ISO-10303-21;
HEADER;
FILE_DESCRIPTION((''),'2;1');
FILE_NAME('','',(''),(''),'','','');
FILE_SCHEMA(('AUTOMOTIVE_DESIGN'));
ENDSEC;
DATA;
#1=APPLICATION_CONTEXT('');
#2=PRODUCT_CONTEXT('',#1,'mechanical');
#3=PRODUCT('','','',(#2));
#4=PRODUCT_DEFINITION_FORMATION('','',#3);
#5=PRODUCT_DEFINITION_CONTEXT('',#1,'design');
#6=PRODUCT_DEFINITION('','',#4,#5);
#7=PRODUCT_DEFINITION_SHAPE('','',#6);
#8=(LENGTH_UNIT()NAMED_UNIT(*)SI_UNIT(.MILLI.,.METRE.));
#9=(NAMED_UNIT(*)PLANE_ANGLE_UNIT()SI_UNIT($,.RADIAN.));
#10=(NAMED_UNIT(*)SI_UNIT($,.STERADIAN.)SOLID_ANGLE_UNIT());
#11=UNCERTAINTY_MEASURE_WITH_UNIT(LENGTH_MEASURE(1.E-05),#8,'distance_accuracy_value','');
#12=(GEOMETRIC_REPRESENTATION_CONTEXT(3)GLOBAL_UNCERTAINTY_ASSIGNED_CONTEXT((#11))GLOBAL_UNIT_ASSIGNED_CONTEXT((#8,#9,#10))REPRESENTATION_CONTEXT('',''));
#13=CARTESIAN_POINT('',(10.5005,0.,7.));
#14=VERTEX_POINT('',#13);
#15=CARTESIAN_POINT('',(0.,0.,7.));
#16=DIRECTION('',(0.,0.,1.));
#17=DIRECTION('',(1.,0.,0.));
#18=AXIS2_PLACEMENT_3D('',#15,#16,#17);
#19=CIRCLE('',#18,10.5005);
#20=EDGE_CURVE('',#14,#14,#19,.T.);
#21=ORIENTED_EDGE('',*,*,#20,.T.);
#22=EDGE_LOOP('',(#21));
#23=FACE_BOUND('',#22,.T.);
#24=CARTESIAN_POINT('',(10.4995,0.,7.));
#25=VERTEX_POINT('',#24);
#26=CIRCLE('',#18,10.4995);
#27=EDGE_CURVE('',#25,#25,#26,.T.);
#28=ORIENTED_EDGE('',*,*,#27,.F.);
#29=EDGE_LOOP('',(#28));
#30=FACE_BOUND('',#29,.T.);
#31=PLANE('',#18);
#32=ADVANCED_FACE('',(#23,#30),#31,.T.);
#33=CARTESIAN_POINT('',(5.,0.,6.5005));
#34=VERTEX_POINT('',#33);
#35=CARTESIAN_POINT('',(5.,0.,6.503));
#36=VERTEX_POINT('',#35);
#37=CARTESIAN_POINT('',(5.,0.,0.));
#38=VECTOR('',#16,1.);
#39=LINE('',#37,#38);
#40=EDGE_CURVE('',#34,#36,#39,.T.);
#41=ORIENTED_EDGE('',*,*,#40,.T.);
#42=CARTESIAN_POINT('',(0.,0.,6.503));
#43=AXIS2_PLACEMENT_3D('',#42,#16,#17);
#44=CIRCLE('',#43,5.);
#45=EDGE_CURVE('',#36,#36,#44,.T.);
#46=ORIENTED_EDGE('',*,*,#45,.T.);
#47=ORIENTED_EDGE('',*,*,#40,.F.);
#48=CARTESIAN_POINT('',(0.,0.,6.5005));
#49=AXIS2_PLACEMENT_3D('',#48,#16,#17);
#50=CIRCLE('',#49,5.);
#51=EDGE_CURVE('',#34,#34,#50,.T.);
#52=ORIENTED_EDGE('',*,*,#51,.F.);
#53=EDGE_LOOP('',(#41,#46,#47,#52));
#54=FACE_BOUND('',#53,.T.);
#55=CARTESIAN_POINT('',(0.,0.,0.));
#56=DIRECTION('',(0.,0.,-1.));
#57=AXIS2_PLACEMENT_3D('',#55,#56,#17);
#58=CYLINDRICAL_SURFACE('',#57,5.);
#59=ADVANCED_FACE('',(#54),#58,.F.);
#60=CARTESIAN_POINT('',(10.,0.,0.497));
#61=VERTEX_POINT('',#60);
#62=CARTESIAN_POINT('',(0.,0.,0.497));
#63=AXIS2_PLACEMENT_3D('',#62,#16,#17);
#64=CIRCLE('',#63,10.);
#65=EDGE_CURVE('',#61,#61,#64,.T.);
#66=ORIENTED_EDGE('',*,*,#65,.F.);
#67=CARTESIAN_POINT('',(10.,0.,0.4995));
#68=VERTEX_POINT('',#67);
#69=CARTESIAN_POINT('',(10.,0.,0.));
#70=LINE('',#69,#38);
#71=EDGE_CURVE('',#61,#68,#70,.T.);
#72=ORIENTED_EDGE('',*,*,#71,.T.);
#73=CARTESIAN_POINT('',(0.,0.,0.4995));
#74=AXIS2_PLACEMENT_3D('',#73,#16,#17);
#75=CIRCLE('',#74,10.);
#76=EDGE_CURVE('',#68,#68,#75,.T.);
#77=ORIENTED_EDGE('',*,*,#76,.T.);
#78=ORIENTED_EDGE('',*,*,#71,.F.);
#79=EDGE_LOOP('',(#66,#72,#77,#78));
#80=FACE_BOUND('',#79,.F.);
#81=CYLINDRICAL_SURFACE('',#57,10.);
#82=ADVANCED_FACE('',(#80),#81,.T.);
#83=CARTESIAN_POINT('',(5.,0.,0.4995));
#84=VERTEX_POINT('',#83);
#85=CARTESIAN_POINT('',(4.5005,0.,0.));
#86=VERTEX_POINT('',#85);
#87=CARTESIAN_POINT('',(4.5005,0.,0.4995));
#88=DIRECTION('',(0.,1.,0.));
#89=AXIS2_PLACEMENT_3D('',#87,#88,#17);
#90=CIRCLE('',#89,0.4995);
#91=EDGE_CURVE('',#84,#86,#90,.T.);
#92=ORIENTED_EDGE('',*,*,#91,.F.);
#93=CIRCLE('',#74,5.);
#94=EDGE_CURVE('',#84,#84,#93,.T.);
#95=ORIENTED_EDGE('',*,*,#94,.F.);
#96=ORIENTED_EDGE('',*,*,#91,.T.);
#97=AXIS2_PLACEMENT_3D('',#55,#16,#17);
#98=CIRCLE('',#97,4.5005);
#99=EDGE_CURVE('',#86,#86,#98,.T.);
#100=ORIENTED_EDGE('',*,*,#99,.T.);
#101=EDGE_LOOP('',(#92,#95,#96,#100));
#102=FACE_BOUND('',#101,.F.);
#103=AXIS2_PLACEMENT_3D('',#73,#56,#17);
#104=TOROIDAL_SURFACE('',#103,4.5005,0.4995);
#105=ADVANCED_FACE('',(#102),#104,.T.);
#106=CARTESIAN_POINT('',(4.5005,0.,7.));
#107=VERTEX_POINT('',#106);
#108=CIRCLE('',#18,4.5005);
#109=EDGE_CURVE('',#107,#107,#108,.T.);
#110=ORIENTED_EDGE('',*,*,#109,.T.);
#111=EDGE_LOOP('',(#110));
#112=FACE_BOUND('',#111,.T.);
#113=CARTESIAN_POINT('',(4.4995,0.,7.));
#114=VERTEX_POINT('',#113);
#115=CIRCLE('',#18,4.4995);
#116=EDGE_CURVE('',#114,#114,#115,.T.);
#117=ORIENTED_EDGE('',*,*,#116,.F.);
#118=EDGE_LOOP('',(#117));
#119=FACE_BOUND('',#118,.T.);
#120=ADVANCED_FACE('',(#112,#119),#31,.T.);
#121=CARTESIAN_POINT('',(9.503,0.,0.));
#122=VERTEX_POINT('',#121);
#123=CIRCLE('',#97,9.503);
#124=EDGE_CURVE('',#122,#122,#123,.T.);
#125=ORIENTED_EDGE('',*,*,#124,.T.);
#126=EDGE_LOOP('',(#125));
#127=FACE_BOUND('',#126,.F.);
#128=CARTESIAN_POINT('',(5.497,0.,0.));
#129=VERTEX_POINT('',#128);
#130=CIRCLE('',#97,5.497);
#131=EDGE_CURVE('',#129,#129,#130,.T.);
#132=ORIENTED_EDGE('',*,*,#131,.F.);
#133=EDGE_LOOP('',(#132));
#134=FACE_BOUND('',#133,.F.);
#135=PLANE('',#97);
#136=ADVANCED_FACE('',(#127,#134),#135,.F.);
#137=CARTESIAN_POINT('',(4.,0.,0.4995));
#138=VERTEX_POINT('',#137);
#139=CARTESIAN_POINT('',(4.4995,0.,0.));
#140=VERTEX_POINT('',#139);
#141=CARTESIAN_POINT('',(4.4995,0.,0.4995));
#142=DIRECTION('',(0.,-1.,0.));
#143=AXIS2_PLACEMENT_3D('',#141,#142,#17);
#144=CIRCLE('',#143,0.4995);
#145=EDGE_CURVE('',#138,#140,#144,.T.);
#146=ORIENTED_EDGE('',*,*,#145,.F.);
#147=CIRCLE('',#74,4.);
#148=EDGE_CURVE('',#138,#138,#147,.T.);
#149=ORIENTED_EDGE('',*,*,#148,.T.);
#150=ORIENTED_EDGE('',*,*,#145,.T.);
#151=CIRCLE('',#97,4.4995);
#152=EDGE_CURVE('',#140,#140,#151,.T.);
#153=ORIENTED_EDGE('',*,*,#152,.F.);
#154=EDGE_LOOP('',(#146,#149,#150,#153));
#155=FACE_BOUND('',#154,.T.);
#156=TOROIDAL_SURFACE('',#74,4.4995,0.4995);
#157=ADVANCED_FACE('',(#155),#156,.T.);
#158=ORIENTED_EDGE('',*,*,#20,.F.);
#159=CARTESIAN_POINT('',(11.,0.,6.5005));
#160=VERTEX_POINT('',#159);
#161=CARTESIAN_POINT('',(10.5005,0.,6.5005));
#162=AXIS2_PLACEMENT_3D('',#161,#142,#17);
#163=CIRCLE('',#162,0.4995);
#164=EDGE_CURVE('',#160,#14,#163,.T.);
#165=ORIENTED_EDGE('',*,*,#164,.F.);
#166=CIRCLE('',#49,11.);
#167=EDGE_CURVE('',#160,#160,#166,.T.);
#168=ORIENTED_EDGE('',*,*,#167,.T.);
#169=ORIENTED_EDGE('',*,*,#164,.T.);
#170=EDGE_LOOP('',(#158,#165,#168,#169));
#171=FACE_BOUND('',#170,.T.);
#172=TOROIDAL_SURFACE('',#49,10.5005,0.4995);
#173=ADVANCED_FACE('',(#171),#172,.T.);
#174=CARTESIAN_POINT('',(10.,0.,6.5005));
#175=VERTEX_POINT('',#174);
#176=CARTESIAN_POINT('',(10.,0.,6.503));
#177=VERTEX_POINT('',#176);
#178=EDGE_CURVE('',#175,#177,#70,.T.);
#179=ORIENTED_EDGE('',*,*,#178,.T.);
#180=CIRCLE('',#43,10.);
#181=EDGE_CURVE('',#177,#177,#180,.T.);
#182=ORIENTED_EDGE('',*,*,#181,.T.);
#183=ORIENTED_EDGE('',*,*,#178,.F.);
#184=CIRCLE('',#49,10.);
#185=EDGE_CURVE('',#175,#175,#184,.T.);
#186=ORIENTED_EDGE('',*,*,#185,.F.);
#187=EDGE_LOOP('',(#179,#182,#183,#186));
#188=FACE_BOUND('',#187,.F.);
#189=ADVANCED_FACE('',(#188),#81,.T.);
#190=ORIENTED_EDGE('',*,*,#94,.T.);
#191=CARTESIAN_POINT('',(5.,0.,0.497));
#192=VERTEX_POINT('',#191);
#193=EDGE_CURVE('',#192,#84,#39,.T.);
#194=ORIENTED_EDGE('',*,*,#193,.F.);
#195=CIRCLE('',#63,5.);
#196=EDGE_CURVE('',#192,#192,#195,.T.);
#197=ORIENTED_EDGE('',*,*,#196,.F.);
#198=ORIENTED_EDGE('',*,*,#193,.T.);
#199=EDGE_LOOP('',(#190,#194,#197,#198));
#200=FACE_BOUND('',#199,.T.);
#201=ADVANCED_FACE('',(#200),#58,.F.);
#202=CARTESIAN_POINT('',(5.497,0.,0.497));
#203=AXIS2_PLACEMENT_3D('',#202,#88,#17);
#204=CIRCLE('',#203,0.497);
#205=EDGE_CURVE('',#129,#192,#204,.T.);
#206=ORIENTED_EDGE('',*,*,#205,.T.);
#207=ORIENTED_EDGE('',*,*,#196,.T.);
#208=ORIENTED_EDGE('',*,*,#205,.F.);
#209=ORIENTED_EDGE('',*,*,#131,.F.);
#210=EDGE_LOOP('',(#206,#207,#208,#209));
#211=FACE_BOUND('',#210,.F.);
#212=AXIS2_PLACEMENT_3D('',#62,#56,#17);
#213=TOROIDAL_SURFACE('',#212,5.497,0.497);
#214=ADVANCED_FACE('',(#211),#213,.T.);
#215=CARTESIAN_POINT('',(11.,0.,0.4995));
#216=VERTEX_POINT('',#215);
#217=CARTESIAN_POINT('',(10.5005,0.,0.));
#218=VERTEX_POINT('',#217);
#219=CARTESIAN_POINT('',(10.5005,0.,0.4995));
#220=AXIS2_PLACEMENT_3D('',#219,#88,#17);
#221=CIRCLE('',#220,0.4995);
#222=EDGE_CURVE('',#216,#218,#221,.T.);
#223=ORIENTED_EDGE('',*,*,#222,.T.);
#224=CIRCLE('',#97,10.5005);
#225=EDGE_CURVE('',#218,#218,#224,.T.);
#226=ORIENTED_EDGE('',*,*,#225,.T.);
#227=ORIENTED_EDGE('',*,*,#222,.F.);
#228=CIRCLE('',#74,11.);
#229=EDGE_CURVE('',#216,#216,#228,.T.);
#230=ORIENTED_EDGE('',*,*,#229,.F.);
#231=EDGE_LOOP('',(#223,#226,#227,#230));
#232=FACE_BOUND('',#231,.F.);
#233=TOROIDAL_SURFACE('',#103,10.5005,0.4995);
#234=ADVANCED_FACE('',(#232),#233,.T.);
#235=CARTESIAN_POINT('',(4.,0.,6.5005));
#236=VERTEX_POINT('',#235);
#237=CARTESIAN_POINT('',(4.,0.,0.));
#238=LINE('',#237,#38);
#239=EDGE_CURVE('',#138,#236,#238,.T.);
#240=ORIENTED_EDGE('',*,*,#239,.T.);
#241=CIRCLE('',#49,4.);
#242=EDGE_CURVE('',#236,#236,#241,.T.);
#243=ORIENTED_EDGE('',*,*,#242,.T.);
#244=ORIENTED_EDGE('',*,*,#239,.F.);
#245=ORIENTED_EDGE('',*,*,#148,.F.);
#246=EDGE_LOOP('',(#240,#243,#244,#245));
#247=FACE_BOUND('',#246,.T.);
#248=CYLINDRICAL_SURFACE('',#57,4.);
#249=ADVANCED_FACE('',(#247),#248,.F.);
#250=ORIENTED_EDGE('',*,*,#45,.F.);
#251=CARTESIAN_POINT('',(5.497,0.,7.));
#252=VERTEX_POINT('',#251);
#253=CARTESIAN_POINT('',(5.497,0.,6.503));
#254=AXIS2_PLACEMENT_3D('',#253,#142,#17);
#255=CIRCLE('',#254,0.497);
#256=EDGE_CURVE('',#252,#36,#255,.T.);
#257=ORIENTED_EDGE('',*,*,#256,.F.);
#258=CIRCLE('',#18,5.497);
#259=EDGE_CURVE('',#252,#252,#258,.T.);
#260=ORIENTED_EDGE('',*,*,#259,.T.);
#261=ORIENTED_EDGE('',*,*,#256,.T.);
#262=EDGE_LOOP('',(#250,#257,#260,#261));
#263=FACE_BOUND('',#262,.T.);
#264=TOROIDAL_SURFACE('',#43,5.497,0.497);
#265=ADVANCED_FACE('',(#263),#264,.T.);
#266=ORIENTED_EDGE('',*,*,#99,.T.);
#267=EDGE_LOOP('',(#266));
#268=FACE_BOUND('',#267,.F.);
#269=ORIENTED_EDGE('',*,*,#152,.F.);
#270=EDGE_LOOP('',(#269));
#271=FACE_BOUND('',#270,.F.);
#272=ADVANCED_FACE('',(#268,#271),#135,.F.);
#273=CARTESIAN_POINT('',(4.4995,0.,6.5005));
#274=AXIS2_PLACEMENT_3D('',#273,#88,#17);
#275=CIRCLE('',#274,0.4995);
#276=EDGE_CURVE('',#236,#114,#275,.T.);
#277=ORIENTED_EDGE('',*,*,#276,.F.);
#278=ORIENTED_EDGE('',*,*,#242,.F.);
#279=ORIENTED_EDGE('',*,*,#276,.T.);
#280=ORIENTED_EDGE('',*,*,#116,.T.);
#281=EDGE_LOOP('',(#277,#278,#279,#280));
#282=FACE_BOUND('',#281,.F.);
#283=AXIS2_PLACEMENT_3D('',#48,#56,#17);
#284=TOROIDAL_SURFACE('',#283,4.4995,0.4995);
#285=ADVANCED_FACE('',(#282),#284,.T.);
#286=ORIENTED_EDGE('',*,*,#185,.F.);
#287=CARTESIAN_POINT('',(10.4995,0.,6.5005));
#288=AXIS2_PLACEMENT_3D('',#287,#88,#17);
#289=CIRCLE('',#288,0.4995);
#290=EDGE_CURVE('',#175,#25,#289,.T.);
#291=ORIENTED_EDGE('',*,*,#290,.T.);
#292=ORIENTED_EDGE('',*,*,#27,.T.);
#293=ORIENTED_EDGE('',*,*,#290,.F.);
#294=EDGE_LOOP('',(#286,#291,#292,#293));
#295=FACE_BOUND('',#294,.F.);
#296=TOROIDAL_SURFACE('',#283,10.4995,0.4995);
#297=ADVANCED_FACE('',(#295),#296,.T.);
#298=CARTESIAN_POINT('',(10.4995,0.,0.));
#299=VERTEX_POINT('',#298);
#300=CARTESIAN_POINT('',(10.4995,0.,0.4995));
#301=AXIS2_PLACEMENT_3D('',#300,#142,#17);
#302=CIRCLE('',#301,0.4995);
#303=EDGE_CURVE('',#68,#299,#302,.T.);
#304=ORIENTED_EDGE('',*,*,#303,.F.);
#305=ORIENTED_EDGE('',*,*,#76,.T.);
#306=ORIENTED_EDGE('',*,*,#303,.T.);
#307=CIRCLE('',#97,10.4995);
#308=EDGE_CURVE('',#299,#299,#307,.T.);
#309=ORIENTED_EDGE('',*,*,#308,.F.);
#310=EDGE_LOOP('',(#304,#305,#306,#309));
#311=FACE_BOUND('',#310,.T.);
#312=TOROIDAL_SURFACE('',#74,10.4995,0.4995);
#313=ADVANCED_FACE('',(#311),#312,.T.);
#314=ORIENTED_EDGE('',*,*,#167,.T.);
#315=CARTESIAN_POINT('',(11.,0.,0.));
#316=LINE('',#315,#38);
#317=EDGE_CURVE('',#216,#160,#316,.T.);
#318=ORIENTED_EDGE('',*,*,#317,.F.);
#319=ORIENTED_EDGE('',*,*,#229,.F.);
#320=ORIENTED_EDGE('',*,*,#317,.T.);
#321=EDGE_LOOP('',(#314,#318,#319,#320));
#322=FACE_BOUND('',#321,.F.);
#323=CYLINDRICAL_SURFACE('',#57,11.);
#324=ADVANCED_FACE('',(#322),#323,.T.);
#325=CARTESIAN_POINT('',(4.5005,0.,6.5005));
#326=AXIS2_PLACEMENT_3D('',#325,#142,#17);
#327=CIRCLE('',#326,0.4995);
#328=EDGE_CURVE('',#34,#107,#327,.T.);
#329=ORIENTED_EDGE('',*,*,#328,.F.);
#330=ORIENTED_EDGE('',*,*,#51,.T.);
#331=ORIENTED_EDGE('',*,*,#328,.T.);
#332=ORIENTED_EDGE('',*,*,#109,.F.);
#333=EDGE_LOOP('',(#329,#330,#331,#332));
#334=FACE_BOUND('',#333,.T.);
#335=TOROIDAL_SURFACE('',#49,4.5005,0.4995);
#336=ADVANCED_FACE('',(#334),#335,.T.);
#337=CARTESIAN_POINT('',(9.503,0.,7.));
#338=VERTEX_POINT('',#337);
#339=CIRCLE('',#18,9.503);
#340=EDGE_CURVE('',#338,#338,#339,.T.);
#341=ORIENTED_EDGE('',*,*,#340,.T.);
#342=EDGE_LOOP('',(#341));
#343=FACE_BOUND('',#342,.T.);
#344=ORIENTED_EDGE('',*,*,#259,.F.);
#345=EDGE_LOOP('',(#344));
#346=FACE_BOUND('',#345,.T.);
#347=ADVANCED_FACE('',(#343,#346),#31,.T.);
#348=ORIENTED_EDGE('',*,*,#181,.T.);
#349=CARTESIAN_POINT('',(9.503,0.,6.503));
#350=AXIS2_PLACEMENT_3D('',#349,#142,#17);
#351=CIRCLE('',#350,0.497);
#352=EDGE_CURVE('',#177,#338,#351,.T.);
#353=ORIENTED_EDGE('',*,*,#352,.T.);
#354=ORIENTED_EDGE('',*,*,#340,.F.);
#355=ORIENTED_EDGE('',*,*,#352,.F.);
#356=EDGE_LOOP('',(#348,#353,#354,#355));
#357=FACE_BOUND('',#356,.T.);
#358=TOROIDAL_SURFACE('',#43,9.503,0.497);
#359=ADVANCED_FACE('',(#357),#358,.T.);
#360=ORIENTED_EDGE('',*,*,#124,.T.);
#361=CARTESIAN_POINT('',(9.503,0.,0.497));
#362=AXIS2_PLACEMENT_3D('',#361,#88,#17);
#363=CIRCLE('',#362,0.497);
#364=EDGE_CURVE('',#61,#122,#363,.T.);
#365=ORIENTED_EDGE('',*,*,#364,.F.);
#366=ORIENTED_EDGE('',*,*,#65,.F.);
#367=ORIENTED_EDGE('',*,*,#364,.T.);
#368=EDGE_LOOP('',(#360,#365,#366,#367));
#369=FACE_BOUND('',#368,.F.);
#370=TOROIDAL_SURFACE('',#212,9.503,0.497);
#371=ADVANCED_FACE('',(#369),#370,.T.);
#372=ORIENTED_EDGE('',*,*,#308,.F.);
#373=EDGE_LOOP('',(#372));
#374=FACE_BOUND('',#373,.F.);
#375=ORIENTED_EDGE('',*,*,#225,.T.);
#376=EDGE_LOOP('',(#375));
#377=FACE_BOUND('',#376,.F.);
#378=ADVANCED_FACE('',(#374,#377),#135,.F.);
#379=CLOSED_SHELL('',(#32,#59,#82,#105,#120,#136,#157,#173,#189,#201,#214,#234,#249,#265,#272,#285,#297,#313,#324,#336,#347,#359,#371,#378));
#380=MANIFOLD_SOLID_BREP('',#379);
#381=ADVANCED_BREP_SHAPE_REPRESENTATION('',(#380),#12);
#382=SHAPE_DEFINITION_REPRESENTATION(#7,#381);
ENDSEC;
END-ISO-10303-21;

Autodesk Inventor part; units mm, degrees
ref_plane "YZ Plane" through (0, 0, 0) normal (1, 0, 0) x (0, 1, 0)
ref_plane "XZ Plane" through (0, 0, 0) normal (0, 1, 0) x (-1, 0, 0)
ref_plane "XY Plane" through (0, 0, 0) normal (0, 0, 1) x (1, 0, 0)
sketch "Sketch1" plane through (0, 0, 0) normal (0, 0, 1) x (1, 0, 0)
  circle A0 centre (0, 0) radius 4
  circle A1 centre (0, 0) radius 11
  circle A2 centre (0, 0) radius 5
  circle A3 centre (0, 0) radius 10
  dimension "d0" = 8
  dimension "d1" = 22
  dimension "d2" = 10
  dimension "d3" = 20
extrude "Extrusion1" add sketch "Sketch1" along normal blind 7 contours A2
fillet "Fillet1" radius 0.5 4 edges at (-5, 0, 7) (-4, 0, 7) (-5, 0, 0) (-4, 0, 0)
extrude "Extrusion2" add sketch "Sketch1" along normal blind 7 contours A1
fillet "Fillet3" radius 0.5 4 edges at (-10, 0, 7) (-11, 0, 7) (-11, 0, 0) (-10, 0, 0)
extrude "Extrusion3" add sketch "Sketch1" along normal blind 7 contours A3
fillet "Fillet4" radius 0.5 4 edges at (-10, 0, 7) (-5, 0, 7) (-10, 0, 0) (-5, 0, 0)
properties part number "Bearing"
